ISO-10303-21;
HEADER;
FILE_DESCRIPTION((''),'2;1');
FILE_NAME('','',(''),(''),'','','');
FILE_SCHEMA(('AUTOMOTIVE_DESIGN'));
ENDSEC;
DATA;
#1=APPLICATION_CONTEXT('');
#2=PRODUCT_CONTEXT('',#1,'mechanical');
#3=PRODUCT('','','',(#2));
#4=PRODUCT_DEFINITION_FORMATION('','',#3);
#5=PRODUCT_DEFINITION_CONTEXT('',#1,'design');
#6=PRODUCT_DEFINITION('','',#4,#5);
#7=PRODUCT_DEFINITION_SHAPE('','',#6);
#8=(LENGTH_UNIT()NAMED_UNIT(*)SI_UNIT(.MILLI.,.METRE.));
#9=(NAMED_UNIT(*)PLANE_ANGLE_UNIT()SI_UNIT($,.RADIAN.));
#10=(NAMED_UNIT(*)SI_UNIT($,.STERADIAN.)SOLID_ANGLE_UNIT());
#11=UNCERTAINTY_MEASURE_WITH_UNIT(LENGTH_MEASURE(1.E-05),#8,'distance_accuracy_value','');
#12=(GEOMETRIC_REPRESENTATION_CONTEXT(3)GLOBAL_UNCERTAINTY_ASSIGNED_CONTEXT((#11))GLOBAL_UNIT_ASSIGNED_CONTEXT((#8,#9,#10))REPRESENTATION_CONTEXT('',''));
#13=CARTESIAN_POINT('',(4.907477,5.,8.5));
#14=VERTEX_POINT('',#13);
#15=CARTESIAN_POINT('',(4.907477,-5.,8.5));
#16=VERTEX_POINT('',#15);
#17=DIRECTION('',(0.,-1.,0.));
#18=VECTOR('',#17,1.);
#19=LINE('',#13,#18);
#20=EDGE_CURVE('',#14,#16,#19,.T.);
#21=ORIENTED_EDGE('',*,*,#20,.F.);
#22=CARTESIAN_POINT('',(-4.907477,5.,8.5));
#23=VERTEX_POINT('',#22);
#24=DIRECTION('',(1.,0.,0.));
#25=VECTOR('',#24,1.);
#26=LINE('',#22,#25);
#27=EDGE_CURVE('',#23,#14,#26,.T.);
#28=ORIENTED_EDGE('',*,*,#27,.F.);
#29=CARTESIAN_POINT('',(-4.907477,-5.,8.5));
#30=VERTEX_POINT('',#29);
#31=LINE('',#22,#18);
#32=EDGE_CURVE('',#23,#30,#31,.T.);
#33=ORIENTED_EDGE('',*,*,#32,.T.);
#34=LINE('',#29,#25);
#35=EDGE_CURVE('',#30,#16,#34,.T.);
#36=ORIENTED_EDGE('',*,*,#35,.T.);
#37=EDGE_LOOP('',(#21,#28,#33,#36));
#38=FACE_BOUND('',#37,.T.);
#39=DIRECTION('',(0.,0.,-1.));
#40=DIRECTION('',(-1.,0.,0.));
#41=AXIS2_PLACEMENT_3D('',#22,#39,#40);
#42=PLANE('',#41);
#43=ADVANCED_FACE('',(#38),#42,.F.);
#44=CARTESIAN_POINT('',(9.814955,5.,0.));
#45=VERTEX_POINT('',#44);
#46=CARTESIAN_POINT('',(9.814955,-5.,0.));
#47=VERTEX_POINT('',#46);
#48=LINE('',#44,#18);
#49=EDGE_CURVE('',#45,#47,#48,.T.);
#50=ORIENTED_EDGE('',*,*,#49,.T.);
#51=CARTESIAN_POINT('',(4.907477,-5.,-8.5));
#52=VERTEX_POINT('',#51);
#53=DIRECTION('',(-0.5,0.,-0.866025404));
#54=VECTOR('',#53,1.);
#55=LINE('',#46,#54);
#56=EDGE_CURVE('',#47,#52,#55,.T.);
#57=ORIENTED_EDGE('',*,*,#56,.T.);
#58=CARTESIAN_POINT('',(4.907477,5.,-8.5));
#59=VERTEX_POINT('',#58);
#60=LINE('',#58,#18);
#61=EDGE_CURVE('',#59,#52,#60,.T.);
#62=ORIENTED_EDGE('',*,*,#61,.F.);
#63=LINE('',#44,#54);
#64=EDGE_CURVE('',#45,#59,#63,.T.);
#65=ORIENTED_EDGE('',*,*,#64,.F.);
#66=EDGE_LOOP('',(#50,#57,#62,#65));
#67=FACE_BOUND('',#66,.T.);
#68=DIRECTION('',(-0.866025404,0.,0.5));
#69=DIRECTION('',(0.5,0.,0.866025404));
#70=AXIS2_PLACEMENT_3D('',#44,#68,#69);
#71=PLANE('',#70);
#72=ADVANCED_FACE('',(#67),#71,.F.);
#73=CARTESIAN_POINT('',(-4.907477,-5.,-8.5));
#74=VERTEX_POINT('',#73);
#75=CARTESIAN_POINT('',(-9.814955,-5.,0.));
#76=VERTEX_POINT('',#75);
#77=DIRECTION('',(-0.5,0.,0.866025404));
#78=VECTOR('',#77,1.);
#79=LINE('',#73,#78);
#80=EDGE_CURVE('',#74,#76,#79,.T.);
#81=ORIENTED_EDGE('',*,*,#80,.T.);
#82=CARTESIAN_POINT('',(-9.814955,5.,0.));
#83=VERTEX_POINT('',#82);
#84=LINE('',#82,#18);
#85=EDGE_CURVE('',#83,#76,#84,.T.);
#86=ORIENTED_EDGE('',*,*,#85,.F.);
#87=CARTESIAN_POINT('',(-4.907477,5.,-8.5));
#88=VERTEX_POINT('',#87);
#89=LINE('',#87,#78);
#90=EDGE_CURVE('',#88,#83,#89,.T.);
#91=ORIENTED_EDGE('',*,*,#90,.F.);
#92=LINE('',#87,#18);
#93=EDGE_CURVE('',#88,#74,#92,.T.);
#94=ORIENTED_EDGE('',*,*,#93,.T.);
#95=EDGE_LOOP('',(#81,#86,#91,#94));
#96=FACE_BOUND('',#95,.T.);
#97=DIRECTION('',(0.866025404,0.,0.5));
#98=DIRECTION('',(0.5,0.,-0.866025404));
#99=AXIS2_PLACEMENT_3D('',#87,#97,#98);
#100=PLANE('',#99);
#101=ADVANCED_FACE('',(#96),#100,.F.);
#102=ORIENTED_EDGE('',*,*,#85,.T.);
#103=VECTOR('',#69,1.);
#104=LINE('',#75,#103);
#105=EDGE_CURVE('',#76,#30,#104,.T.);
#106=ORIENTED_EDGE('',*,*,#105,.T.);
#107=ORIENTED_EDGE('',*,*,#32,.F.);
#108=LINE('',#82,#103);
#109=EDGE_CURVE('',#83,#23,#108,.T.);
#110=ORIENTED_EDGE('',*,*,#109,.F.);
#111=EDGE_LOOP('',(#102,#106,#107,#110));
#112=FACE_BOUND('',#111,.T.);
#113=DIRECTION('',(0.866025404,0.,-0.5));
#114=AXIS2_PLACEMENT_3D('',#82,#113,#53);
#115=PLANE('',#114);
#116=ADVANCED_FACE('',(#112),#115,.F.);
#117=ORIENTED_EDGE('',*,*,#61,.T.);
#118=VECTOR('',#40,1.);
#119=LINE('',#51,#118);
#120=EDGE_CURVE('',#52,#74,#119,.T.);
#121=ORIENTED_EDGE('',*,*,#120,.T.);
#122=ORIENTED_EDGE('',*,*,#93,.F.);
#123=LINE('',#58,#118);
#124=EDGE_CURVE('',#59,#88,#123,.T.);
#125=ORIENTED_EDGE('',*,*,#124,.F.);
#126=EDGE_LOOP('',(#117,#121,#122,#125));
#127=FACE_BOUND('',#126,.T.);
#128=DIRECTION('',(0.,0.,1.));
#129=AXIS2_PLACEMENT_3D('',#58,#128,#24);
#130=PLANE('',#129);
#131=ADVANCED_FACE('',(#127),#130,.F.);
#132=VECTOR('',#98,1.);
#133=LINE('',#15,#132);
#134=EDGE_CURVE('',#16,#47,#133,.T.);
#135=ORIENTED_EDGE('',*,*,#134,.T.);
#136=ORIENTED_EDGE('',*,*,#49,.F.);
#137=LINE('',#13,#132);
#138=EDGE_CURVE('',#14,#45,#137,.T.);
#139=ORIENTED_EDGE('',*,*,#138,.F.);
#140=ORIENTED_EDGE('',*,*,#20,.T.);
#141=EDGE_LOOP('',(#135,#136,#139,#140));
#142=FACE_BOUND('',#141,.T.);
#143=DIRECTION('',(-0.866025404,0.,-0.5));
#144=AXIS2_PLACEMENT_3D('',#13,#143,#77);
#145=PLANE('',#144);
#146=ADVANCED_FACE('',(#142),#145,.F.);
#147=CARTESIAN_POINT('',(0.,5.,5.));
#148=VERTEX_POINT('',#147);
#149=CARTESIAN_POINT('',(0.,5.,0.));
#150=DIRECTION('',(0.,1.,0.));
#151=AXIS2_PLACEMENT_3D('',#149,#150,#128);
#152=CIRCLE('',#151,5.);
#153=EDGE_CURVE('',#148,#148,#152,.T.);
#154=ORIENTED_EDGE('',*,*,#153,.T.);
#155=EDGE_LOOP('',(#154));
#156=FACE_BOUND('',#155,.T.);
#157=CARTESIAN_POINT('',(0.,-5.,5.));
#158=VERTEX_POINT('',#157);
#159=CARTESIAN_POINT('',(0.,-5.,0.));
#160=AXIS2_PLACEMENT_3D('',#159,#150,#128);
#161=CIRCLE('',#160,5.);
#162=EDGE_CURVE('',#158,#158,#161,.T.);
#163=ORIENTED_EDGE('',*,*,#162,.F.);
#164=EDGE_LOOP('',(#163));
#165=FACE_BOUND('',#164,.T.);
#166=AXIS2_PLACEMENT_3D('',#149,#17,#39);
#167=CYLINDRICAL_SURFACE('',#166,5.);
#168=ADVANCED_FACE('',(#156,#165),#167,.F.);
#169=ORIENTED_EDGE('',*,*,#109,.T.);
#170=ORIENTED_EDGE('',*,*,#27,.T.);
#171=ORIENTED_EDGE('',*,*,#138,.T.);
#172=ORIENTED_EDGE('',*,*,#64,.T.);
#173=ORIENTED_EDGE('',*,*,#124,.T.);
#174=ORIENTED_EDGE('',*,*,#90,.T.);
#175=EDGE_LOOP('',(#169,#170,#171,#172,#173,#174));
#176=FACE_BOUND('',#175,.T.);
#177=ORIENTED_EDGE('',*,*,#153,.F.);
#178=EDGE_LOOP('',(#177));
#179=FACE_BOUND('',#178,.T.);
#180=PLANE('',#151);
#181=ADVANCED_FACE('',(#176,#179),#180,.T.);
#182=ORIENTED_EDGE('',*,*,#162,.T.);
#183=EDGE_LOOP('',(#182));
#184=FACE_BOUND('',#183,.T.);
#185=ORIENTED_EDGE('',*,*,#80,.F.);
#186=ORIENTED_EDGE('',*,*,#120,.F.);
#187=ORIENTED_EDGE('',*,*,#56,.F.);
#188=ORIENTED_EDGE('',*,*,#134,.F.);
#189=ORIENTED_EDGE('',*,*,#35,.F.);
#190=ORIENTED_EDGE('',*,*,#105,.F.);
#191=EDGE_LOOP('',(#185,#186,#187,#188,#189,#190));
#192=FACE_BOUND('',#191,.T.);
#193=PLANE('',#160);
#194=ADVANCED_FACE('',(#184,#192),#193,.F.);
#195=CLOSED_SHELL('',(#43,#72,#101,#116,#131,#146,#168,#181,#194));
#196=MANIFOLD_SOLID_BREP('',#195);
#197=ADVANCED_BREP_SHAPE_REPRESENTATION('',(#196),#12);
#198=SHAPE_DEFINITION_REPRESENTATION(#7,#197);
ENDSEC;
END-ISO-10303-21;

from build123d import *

# Parameters (mm, degrees)
SKETCH1_R           = 5
BOSS_EXTRUDE1_DEPTH = 5


with BuildPart() as part:
    # Sketch1 → Boss-Extrude1 (new body, symmetric)
    with BuildSketch(Plane(origin=(0, 0, 0), x_dir=(1, 0, 0), z_dir=(0, 1, 0))):
        Polygon((9.814954576, 0), (4.907477288, 8.5), (-4.907477288, 8.5), (-9.814954576, 0), (-4.907477288, -8.5), (4.907477288, -8.5), align=None)
        Circle(SKETCH1_R, mode=Mode.SUBTRACT)
    extrude(amount=BOSS_EXTRUDE1_DEPTH, both=True)


solid = part.part
